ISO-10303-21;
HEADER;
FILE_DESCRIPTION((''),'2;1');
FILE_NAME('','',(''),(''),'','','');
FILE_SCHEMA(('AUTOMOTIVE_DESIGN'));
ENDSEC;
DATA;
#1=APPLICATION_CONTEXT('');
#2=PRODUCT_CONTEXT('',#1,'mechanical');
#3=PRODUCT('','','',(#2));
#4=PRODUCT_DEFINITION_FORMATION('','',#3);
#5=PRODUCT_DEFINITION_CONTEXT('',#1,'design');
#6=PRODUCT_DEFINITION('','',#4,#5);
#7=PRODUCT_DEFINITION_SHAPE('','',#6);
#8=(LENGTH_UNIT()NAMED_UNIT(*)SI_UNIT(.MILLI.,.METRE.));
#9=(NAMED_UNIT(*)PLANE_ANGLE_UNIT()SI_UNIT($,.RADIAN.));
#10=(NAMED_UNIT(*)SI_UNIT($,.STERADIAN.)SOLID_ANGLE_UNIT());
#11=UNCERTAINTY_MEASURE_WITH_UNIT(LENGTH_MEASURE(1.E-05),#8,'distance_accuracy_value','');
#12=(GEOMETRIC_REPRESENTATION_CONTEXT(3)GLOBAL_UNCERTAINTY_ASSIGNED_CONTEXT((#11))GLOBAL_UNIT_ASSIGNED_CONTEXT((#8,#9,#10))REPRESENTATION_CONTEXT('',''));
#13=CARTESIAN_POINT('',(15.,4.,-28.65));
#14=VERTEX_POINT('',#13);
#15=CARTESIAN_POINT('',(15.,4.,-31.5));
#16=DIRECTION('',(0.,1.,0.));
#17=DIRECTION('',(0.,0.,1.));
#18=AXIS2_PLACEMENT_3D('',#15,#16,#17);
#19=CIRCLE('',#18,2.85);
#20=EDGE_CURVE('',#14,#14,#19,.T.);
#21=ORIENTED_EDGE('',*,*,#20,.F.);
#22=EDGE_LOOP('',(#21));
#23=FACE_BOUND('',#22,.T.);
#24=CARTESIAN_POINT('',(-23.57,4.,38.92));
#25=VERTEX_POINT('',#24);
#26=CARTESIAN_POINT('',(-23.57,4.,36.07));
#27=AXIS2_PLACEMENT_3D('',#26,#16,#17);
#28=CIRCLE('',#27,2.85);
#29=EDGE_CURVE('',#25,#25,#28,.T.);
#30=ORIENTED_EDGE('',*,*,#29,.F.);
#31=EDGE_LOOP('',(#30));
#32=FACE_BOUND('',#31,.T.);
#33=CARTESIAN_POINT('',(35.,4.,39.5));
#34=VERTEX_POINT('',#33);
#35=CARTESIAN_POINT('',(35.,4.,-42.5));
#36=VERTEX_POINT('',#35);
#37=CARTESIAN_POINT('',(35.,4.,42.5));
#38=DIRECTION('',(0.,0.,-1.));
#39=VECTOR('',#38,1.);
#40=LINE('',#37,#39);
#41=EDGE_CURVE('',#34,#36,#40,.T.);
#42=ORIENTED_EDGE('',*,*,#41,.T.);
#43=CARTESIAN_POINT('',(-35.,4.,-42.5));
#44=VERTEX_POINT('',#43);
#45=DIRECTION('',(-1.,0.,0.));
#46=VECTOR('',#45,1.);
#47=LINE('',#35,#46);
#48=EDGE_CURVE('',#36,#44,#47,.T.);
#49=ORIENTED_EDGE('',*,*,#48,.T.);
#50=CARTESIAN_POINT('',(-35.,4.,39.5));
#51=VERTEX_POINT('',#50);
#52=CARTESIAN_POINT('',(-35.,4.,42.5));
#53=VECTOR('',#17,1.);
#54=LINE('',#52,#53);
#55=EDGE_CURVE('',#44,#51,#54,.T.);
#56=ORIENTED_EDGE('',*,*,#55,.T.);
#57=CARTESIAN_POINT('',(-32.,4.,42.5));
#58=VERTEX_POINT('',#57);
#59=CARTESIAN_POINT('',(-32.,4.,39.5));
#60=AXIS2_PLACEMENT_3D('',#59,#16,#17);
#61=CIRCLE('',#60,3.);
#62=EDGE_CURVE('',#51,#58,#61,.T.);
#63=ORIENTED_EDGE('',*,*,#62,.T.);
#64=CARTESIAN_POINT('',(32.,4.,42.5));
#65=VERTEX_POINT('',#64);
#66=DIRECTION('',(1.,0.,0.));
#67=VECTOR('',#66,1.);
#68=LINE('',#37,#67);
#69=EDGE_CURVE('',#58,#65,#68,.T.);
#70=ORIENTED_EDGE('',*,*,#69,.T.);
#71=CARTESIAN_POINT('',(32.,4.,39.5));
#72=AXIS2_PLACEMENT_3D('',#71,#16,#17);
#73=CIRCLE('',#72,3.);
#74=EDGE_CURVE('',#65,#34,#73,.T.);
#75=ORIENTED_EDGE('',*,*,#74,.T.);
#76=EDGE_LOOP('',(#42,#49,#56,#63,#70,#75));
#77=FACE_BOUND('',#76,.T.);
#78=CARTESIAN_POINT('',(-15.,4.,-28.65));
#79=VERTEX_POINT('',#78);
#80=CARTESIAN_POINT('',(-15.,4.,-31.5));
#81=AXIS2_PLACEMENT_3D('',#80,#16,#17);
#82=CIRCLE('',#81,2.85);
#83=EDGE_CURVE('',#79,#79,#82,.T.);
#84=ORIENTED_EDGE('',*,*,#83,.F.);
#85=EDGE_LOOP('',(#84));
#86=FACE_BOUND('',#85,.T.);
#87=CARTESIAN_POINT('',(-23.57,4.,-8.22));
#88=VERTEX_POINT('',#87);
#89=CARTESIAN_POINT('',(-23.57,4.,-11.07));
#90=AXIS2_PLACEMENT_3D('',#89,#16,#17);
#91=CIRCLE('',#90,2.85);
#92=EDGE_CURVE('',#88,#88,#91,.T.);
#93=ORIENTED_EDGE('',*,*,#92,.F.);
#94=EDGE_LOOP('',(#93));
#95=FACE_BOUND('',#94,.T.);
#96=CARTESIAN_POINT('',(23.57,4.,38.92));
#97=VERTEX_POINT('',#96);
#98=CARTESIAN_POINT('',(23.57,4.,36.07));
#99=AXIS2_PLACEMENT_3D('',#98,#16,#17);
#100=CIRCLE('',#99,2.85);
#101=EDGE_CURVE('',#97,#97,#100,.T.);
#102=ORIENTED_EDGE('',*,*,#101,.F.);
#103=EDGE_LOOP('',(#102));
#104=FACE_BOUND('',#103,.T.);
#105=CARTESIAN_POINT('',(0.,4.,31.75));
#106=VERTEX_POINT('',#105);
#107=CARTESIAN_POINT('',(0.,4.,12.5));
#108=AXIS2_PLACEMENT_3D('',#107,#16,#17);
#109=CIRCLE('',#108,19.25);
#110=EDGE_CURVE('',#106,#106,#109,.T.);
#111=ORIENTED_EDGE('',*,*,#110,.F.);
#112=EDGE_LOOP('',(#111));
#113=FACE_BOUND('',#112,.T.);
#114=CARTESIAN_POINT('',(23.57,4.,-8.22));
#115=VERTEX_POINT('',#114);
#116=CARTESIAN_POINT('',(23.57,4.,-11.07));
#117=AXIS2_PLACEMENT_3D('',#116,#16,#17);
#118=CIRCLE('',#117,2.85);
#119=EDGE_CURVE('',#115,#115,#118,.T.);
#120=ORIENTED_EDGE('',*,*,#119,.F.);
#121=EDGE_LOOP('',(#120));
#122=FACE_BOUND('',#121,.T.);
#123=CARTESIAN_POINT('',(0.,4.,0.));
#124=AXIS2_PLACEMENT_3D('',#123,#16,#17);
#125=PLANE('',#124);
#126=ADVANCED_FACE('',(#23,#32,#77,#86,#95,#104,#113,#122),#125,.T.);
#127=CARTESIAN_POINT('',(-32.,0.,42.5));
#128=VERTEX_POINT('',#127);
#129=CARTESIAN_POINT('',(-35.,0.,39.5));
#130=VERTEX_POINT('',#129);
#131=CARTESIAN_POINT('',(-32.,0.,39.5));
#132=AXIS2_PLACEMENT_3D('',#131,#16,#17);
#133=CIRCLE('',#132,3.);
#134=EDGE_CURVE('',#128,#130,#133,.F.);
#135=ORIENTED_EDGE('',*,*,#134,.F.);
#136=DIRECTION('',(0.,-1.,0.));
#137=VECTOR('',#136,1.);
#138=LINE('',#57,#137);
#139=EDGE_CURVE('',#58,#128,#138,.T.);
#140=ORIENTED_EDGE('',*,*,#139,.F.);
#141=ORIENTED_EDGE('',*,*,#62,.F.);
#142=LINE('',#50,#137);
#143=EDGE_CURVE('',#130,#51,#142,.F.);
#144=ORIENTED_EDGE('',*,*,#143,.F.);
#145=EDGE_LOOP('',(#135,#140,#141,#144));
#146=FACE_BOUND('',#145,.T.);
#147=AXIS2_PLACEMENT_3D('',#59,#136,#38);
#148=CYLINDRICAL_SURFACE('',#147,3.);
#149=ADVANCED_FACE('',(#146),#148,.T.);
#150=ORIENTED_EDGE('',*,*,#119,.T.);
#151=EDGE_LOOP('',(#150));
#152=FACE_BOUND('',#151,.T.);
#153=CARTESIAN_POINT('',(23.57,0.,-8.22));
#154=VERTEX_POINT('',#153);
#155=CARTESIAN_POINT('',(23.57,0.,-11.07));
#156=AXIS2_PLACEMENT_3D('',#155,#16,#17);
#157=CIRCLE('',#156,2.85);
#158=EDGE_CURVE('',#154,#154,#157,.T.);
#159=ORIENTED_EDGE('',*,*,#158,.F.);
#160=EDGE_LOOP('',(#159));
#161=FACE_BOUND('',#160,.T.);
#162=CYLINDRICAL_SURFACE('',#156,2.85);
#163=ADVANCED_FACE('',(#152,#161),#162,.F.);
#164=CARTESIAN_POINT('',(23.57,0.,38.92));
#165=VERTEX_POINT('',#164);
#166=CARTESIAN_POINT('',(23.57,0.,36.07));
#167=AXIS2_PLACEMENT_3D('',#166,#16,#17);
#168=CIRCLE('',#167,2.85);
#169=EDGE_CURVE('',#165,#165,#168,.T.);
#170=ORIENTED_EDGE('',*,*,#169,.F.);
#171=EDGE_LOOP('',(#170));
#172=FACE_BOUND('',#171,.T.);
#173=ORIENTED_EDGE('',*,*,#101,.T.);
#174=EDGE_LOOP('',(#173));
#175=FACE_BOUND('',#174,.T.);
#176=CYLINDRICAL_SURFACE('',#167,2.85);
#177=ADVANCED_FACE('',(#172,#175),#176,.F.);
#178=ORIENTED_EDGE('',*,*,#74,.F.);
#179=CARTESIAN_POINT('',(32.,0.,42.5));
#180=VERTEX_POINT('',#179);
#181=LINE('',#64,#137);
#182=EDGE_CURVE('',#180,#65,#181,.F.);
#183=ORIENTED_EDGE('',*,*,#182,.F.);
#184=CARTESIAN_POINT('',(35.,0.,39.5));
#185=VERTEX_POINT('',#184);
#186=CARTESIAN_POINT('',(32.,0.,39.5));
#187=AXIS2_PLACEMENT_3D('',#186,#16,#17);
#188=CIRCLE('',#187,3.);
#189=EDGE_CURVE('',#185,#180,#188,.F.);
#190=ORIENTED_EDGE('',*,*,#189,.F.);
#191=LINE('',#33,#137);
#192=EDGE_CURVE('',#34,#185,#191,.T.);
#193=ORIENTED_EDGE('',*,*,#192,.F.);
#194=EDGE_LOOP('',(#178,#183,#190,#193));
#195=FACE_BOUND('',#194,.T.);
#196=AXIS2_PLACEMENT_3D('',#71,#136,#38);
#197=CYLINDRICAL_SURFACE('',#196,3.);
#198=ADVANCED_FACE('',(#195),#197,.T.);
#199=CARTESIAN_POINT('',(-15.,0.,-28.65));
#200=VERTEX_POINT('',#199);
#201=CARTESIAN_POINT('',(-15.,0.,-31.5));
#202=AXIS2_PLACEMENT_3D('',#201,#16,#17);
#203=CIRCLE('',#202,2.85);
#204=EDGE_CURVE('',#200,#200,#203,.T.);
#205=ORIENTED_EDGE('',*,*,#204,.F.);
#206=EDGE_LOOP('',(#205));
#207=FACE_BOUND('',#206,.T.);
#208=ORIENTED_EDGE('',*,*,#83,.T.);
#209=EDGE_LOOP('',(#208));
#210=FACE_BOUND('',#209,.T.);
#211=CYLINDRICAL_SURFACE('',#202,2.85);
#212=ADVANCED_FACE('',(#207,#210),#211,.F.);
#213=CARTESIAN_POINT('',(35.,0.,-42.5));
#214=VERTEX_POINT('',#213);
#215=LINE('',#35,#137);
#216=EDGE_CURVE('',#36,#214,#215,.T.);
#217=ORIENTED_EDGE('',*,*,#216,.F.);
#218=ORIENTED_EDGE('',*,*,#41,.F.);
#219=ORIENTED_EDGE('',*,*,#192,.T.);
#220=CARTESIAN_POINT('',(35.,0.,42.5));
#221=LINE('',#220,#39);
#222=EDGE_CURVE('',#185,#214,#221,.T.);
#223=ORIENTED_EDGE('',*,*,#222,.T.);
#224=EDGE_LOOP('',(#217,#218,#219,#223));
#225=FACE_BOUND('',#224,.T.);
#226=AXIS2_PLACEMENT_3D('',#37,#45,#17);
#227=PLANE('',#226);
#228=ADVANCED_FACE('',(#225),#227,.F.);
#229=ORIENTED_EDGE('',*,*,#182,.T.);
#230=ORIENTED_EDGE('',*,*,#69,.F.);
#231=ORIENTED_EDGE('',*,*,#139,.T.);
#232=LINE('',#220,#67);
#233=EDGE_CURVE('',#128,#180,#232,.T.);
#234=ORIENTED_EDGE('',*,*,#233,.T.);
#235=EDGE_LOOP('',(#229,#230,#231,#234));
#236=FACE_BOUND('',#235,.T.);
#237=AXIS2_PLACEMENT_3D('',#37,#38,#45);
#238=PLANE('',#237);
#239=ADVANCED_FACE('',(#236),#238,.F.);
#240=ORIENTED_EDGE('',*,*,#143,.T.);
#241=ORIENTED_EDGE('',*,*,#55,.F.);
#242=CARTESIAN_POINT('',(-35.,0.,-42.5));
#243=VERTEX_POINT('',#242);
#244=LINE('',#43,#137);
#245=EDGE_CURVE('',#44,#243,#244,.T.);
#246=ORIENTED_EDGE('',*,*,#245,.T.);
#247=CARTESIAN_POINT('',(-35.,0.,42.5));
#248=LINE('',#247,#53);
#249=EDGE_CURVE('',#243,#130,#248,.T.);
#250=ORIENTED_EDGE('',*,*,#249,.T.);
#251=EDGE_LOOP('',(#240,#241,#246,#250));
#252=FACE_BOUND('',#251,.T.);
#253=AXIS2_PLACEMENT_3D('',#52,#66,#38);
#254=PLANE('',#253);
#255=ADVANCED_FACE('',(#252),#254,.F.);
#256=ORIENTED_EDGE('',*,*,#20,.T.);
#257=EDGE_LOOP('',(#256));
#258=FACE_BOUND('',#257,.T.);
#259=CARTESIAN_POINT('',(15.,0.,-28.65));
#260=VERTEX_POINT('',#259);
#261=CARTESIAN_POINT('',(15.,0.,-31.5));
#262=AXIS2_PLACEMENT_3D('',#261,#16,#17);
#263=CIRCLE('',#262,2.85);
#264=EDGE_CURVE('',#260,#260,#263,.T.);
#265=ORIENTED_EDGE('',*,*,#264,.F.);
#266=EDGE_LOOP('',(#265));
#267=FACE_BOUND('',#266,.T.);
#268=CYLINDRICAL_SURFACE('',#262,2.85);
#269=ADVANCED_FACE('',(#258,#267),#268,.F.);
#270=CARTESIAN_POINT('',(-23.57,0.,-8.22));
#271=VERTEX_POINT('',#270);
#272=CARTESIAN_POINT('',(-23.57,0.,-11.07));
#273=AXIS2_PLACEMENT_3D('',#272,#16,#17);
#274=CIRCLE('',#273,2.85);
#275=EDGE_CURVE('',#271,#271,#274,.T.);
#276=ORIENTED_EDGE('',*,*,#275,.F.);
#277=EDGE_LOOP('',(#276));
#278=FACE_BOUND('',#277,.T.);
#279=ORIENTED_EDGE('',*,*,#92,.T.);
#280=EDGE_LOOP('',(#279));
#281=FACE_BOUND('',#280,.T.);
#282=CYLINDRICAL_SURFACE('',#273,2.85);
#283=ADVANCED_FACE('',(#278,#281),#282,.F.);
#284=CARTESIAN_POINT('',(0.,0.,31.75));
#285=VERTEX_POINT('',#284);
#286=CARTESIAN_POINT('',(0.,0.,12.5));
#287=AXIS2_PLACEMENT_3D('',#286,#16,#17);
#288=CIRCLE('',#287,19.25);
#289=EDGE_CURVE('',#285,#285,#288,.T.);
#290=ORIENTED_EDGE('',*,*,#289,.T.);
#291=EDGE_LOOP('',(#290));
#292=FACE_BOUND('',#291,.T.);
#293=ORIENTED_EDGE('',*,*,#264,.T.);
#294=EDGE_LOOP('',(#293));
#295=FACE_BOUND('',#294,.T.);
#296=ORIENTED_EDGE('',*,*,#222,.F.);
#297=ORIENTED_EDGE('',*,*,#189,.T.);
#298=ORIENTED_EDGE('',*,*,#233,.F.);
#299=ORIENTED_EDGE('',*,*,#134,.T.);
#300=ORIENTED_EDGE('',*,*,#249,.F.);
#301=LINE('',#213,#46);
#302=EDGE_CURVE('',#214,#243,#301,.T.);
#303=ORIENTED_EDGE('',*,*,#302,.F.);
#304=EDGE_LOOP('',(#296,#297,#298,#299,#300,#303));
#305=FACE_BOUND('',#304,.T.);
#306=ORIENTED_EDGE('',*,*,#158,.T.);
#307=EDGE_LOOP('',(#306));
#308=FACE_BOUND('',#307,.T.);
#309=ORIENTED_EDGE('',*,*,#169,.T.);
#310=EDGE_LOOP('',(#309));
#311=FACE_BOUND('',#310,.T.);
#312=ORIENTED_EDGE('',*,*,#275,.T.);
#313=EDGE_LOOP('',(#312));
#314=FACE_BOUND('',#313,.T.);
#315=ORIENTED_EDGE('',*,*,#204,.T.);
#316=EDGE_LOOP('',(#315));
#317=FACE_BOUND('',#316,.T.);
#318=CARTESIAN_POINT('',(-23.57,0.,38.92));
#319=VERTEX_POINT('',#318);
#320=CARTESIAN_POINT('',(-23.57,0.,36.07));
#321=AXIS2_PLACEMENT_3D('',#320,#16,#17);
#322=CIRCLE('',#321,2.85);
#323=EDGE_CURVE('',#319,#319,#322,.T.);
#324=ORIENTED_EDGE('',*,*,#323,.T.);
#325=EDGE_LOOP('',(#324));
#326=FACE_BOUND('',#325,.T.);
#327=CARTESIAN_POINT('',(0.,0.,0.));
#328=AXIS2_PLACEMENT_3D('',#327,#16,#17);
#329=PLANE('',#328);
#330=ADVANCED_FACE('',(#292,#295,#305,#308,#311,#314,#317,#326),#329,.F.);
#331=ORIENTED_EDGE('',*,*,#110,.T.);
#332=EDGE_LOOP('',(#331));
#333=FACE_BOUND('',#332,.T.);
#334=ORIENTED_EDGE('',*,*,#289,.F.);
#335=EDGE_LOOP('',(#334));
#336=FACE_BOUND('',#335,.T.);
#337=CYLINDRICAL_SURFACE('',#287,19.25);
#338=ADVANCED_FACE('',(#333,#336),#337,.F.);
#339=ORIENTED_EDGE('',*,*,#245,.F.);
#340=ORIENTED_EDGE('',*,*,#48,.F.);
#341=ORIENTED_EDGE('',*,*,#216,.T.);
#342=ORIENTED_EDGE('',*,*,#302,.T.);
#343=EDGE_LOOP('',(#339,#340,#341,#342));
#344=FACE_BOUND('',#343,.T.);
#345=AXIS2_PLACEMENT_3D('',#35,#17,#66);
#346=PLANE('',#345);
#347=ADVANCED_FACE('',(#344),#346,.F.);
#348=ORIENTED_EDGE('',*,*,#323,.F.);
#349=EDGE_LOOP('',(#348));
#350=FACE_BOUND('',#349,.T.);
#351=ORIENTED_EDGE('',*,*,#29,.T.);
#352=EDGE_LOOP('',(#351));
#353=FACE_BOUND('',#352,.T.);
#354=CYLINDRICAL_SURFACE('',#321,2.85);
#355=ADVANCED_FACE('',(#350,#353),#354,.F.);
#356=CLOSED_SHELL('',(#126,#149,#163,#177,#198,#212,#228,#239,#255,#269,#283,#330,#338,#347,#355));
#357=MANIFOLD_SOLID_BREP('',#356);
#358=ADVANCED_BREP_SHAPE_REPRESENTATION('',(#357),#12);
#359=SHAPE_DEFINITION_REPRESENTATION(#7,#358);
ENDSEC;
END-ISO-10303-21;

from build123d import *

# Parameters (mm, degrees)
SKETCH1_W           = 70
SKETCH1_H           = 85
BOSS_EXTRUDE1_DEPTH = 4
SKETCH2_R           = 2.85
SKETCH2_R_2         = 19.25
CUT_EXTRUDE1_DEPTH  = 56.201902141
FILLET1_R           = 3


with BuildPart() as part:
    # Sketch1 → Boss-Extrude1 (new body)
    with BuildSketch(Plane(origin=(0, 0, 0), x_dir=(1, 0, 0), z_dir=(0, 1, 0))):
        Rectangle(SKETCH1_W, SKETCH1_H)
    extrude(amount=BOSS_EXTRUDE1_DEPTH)

    # Sketch2 → Cut-Extrude1 (cut, through all)
    with BuildSketch(Plane(origin=(0, 4, 0), x_dir=(1, 0, 0), z_dir=(0, 1, 0))):
        with Locations(Location((-23.57, 11.07, 0), (0, 0, 270))):
            Circle(SKETCH2_R)
        with Locations(Location((-23.57, -36.07, 0), (0, 0, 270))):
            Circle(SKETCH2_R)
        with Locations(Location((23.57, -36.07, 0), (0, 0, 270))):
            Circle(SKETCH2_R)
        with Locations(Location((23.57, 11.07, 0), (0, 0, 270))):
            Circle(SKETCH2_R)
        with Locations(Location((0, -12.5, 0), (0, 0, 270))):
            Circle(SKETCH2_R_2)
        with Locations(Location((15, 31.5, 0), (0, 0, 270))):
            Circle(SKETCH2_R)
        with Locations(Location((-15, 31.5, 0), (0, 0, 270))):
            Circle(SKETCH2_R)
    extrude(amount=-CUT_EXTRUDE1_DEPTH, mode=Mode.SUBTRACT)

    # Fillet1
    fillet1_edges = [part.edges().sort_by_distance(p)[0] for p in [
        (35, 2, 42.5),
        (-35, 2, 42.5),
    ]]
    fillet(fillet1_edges, radius=FILLET1_R)


solid = part.part
